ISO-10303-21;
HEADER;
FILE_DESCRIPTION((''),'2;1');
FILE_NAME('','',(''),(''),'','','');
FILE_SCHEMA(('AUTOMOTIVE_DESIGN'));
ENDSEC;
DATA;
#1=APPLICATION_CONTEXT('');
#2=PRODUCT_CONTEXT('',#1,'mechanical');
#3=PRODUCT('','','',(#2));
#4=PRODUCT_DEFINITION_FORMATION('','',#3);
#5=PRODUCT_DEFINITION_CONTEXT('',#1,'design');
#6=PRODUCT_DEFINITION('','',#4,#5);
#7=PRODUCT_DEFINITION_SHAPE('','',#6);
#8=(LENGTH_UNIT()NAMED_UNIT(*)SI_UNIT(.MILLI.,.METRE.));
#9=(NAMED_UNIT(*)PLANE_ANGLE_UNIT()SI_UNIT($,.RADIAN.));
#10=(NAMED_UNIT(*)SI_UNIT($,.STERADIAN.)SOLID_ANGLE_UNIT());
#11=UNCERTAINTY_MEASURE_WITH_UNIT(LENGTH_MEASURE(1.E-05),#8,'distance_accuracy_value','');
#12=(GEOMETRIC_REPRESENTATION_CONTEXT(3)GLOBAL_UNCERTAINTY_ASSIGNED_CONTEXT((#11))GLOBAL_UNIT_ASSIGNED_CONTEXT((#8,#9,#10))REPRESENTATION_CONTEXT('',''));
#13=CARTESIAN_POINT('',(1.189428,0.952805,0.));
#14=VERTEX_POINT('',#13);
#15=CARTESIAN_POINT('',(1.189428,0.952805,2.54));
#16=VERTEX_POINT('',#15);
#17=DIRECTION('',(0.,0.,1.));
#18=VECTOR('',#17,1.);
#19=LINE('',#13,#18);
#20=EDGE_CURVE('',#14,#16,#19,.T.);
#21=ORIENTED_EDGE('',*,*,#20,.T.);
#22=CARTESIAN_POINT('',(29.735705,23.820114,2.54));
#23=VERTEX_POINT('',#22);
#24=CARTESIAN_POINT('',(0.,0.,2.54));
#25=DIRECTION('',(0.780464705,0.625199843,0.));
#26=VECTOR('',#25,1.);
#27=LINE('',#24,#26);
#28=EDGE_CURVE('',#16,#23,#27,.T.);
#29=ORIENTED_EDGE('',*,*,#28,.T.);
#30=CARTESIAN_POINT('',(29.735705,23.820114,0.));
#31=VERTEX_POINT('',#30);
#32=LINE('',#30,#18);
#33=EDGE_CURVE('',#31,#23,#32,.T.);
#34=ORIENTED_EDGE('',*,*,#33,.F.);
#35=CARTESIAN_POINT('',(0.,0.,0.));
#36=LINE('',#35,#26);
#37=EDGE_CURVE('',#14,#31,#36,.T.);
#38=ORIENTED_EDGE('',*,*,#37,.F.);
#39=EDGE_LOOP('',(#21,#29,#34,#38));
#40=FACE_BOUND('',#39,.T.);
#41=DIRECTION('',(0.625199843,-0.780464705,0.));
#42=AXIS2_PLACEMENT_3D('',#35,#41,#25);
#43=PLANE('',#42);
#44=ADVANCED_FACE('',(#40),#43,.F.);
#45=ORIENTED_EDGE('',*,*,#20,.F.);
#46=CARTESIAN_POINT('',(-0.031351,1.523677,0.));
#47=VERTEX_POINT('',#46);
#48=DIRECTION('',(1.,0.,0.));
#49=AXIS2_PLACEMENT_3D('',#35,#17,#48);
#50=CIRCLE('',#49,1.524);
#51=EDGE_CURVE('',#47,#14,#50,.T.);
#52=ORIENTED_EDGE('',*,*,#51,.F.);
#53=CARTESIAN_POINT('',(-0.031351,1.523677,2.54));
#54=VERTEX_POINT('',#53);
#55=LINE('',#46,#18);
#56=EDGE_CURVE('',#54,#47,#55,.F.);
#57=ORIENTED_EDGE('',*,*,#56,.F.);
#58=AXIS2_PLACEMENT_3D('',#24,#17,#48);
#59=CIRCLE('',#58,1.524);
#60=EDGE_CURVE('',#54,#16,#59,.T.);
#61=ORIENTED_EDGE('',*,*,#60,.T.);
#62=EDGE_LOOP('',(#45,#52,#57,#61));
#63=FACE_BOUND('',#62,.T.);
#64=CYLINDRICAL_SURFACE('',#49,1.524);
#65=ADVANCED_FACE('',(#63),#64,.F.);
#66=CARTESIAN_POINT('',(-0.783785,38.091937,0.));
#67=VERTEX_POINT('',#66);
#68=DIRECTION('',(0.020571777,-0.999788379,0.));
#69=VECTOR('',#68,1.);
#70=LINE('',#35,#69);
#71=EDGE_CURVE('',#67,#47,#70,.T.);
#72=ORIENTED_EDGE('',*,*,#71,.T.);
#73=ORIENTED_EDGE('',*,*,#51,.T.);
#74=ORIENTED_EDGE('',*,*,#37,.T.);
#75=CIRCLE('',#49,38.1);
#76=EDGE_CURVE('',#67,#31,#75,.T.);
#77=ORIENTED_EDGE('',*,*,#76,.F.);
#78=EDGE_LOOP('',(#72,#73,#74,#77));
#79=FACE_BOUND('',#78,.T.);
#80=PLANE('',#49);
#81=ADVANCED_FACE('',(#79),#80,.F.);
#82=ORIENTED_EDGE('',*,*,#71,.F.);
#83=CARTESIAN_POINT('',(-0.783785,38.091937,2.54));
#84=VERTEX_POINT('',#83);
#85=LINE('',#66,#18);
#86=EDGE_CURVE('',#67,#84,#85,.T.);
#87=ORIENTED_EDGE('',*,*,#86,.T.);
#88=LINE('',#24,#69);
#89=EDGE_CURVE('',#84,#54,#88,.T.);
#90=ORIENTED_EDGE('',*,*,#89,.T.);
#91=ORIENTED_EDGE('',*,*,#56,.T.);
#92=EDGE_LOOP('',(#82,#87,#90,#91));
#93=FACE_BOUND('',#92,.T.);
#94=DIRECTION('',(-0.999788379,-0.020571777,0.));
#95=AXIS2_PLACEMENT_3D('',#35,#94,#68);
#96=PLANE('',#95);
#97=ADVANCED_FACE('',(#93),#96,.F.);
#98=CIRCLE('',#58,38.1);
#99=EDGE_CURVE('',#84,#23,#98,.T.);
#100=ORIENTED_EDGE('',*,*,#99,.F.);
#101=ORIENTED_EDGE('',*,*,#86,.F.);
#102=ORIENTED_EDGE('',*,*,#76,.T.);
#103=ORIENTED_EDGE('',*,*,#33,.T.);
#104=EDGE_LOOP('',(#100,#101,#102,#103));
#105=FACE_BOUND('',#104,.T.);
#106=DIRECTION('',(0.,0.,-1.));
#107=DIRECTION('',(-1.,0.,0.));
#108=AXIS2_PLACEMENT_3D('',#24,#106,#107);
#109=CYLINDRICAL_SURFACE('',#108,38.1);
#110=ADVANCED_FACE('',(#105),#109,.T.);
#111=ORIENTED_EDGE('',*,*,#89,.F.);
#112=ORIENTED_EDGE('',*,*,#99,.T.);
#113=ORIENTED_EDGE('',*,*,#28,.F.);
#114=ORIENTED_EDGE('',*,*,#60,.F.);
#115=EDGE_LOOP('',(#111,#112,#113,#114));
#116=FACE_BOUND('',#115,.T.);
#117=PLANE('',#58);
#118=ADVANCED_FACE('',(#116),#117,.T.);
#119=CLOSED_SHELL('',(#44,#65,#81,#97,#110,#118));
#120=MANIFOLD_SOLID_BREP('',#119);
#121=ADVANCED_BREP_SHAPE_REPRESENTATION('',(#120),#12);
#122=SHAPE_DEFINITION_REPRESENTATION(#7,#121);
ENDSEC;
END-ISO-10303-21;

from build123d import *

# Parameters (mm, degrees)
SKETCH1_R           = 38.1
BOSS_EXTRUDE1_DEPTH = 2.54
CUT_EXTRUDE1_DEPTH  = 2.54
SKETCH3_R           = 1.524
CUT_EXTRUDE2_DEPTH  = 2.54


with BuildPart() as part:
    # Sketch1 → Boss-Extrude1 (new body)
    with BuildSketch(Plane.XY):
        Circle(SKETCH1_R)
    extrude(amount=BOSS_EXTRUDE1_DEPTH)

    # Sketch2 → Cut-Extrude1 (cut)
    with BuildSketch(Plane.XY.offset(2.54)):
        with BuildLine():
            Line((0, 0), (-0.783784717, 38.091937225))
            ThreePointArc((-0.783784717, 38.091937225), (16.139227372, 34.512828627), (29.735705264, 23.820114031))
            Line((29.735705264, 23.820114031), (0, 0))
        make_face()
    extrude(amount=-CUT_EXTRUDE1_DEPTH, mode=Mode.SUBTRACT)

    # Sketch3 → Cut-Extrude2 (cut)
    with BuildSketch(Plane.XY.offset(2.54)):
        Circle(SKETCH3_R)
    extrude(amount=-CUT_EXTRUDE2_DEPTH, mode=Mode.SUBTRACT)


solid = part.part
